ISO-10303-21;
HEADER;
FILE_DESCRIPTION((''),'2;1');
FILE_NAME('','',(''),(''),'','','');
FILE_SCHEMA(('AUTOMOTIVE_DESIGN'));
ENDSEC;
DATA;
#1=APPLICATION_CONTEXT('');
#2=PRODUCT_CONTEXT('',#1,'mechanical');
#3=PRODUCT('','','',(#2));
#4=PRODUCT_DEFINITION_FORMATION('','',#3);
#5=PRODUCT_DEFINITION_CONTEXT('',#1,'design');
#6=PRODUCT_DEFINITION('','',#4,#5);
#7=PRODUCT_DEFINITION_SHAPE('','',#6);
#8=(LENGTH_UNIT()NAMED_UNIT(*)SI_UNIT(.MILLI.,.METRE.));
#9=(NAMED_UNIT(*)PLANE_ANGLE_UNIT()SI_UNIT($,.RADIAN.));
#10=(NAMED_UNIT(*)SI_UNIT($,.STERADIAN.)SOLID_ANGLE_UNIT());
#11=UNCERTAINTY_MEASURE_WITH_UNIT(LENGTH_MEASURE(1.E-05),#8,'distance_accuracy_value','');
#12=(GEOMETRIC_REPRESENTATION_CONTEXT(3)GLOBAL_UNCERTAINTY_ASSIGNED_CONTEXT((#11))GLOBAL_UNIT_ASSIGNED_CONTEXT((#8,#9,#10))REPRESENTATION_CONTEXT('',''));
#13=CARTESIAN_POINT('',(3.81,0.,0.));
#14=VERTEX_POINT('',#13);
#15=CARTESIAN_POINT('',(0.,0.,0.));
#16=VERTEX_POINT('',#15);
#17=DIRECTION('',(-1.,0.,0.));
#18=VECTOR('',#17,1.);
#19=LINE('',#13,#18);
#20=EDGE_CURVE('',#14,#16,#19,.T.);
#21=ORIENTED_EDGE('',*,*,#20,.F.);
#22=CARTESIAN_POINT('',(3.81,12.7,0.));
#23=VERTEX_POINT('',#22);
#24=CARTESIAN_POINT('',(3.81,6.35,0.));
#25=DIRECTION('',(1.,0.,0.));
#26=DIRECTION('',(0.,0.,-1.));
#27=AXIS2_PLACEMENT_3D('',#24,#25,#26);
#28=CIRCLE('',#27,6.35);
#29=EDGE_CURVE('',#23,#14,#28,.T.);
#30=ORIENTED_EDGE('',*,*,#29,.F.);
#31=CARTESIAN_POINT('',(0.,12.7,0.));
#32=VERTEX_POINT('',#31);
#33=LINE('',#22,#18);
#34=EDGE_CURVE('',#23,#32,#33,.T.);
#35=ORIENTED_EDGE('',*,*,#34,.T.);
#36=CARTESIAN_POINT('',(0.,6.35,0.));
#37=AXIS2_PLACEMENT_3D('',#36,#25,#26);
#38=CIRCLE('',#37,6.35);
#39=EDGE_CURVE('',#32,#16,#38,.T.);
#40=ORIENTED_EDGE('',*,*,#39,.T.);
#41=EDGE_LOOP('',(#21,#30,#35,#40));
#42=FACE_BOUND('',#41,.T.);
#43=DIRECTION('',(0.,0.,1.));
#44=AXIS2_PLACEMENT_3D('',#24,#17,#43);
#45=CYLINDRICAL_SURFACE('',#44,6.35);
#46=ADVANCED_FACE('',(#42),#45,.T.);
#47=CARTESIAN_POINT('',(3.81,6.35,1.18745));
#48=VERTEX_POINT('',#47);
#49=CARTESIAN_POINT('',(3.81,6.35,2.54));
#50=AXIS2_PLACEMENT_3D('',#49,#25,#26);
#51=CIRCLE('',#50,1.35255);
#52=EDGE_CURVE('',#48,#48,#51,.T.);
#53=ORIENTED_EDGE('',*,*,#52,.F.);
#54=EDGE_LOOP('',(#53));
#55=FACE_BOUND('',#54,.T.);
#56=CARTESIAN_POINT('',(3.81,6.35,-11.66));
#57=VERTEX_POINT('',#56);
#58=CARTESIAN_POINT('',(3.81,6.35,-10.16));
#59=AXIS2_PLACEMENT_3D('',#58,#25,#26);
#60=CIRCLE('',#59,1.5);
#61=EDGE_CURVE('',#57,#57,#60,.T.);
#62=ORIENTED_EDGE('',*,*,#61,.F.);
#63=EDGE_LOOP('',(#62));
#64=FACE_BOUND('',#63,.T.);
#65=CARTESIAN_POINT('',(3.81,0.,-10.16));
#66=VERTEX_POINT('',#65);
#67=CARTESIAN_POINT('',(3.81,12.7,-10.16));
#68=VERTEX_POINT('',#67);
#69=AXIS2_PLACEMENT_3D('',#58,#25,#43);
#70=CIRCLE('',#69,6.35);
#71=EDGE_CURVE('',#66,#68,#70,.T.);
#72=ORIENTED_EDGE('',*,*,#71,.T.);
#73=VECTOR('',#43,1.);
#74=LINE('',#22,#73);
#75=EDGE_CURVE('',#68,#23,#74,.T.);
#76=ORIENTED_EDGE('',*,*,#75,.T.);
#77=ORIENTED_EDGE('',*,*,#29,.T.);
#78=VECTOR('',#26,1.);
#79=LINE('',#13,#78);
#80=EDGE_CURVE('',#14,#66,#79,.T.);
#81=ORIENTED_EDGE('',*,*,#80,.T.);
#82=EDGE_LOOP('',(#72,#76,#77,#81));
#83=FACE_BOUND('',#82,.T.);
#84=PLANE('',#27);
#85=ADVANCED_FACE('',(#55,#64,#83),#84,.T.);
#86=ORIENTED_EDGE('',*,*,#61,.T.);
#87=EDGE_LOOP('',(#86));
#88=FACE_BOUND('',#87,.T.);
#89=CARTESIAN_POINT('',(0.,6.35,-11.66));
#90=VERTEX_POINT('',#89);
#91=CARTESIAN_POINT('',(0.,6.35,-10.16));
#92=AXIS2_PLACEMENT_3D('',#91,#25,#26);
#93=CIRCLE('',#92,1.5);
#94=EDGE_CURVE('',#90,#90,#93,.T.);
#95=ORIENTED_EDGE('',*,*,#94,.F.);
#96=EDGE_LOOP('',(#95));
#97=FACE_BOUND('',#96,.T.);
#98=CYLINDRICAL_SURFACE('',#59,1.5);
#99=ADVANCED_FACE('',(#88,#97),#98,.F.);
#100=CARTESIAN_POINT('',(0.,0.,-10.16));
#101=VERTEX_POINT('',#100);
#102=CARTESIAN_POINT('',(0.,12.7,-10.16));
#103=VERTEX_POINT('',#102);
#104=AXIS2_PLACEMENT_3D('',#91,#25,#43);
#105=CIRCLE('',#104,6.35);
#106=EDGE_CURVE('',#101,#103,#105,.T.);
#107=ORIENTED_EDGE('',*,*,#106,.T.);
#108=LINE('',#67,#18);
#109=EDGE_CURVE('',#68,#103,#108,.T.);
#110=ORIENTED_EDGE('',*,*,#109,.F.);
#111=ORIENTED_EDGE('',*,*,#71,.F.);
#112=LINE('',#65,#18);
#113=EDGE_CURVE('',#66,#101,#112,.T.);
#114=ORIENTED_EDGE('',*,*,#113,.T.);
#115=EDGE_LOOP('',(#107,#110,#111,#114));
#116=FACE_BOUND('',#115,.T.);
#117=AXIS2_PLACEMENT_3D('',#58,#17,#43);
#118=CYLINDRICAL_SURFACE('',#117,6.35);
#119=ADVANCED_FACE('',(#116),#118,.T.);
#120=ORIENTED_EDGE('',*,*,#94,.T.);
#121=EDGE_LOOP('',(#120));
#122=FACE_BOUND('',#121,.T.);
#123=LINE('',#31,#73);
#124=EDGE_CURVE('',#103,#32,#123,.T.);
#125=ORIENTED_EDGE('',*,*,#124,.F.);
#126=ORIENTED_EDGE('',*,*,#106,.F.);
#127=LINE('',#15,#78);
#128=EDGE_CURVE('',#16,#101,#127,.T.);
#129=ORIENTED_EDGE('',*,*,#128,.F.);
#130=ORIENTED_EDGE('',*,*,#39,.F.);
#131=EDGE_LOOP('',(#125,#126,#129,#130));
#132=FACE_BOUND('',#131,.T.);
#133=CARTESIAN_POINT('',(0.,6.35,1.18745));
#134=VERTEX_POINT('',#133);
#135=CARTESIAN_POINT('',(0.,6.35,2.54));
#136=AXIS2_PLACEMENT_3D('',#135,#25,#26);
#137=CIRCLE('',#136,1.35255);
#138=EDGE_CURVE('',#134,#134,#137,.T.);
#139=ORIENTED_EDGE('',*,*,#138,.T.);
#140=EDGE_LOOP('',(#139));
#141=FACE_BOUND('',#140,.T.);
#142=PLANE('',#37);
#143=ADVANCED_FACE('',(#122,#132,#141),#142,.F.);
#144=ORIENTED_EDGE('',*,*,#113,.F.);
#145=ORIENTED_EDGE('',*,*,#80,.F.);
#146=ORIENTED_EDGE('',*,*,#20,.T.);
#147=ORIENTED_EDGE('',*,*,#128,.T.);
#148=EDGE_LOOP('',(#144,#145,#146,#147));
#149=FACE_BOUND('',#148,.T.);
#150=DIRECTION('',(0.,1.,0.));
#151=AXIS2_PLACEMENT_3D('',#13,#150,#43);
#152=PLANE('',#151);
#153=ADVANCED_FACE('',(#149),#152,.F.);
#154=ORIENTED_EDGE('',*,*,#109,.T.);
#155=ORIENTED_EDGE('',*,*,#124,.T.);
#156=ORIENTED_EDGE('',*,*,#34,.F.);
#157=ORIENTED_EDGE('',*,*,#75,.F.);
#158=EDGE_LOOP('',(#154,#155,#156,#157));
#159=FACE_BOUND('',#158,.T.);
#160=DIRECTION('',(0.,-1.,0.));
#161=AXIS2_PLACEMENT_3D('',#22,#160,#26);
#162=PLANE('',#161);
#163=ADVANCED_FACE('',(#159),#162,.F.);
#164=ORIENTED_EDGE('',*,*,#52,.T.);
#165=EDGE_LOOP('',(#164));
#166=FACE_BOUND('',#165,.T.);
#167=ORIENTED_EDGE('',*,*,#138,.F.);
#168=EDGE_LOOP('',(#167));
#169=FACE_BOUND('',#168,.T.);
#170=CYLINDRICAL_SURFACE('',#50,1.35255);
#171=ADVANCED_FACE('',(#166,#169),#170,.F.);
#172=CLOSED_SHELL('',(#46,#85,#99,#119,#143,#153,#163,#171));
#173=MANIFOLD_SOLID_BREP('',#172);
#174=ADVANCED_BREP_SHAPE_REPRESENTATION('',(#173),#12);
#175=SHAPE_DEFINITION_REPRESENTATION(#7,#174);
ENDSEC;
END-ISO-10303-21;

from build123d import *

# Parameters (mm, degrees)
BOSS_EXTRUDE1_DEPTH   = 3.81
F_6_32_TAPPED_HOLE1_D = 2.7051
F_3_0MM_DOWEL_HOLE1_D = 3


with BuildPart() as part:
    # Sketch1 → Boss-Extrude1 (new body)
    with BuildSketch(Plane(origin=(0, 0, 0), x_dir=(0, 0, -1), z_dir=(1, 0, 0))):
        with BuildLine():
            Line((0, 0), (10.16, 0))
            ThreePointArc((10.16, 0), (16.51, 6.35), (10.16, 12.7))
            Line((10.16, 12.7), (0, 12.7))
            ThreePointArc((0, 12.7), (-6.35, 6.35), (0, 0))
        make_face()
    extrude(amount=BOSS_EXTRUDE1_DEPTH)

    # #6-32 Tapped Hole1 (through all)
    with Locations(Plane(origin=(3.81, 0, 0), x_dir=(0, 0, -1), z_dir=(1, 0, 0))):
        with Locations((-2.54, 6.35)):
            Hole(F_6_32_TAPPED_HOLE1_D / 2)

    # Ø3.0mm Dowel Hole1 (through all)
    with Locations(Plane(origin=(3.81, 0, 0), x_dir=(0, 0, -1), z_dir=(1, 0, 0))):
        with Locations((10.16, 6.35)):
            Hole(F_3_0MM_DOWEL_HOLE1_D / 2)


solid = part.part
